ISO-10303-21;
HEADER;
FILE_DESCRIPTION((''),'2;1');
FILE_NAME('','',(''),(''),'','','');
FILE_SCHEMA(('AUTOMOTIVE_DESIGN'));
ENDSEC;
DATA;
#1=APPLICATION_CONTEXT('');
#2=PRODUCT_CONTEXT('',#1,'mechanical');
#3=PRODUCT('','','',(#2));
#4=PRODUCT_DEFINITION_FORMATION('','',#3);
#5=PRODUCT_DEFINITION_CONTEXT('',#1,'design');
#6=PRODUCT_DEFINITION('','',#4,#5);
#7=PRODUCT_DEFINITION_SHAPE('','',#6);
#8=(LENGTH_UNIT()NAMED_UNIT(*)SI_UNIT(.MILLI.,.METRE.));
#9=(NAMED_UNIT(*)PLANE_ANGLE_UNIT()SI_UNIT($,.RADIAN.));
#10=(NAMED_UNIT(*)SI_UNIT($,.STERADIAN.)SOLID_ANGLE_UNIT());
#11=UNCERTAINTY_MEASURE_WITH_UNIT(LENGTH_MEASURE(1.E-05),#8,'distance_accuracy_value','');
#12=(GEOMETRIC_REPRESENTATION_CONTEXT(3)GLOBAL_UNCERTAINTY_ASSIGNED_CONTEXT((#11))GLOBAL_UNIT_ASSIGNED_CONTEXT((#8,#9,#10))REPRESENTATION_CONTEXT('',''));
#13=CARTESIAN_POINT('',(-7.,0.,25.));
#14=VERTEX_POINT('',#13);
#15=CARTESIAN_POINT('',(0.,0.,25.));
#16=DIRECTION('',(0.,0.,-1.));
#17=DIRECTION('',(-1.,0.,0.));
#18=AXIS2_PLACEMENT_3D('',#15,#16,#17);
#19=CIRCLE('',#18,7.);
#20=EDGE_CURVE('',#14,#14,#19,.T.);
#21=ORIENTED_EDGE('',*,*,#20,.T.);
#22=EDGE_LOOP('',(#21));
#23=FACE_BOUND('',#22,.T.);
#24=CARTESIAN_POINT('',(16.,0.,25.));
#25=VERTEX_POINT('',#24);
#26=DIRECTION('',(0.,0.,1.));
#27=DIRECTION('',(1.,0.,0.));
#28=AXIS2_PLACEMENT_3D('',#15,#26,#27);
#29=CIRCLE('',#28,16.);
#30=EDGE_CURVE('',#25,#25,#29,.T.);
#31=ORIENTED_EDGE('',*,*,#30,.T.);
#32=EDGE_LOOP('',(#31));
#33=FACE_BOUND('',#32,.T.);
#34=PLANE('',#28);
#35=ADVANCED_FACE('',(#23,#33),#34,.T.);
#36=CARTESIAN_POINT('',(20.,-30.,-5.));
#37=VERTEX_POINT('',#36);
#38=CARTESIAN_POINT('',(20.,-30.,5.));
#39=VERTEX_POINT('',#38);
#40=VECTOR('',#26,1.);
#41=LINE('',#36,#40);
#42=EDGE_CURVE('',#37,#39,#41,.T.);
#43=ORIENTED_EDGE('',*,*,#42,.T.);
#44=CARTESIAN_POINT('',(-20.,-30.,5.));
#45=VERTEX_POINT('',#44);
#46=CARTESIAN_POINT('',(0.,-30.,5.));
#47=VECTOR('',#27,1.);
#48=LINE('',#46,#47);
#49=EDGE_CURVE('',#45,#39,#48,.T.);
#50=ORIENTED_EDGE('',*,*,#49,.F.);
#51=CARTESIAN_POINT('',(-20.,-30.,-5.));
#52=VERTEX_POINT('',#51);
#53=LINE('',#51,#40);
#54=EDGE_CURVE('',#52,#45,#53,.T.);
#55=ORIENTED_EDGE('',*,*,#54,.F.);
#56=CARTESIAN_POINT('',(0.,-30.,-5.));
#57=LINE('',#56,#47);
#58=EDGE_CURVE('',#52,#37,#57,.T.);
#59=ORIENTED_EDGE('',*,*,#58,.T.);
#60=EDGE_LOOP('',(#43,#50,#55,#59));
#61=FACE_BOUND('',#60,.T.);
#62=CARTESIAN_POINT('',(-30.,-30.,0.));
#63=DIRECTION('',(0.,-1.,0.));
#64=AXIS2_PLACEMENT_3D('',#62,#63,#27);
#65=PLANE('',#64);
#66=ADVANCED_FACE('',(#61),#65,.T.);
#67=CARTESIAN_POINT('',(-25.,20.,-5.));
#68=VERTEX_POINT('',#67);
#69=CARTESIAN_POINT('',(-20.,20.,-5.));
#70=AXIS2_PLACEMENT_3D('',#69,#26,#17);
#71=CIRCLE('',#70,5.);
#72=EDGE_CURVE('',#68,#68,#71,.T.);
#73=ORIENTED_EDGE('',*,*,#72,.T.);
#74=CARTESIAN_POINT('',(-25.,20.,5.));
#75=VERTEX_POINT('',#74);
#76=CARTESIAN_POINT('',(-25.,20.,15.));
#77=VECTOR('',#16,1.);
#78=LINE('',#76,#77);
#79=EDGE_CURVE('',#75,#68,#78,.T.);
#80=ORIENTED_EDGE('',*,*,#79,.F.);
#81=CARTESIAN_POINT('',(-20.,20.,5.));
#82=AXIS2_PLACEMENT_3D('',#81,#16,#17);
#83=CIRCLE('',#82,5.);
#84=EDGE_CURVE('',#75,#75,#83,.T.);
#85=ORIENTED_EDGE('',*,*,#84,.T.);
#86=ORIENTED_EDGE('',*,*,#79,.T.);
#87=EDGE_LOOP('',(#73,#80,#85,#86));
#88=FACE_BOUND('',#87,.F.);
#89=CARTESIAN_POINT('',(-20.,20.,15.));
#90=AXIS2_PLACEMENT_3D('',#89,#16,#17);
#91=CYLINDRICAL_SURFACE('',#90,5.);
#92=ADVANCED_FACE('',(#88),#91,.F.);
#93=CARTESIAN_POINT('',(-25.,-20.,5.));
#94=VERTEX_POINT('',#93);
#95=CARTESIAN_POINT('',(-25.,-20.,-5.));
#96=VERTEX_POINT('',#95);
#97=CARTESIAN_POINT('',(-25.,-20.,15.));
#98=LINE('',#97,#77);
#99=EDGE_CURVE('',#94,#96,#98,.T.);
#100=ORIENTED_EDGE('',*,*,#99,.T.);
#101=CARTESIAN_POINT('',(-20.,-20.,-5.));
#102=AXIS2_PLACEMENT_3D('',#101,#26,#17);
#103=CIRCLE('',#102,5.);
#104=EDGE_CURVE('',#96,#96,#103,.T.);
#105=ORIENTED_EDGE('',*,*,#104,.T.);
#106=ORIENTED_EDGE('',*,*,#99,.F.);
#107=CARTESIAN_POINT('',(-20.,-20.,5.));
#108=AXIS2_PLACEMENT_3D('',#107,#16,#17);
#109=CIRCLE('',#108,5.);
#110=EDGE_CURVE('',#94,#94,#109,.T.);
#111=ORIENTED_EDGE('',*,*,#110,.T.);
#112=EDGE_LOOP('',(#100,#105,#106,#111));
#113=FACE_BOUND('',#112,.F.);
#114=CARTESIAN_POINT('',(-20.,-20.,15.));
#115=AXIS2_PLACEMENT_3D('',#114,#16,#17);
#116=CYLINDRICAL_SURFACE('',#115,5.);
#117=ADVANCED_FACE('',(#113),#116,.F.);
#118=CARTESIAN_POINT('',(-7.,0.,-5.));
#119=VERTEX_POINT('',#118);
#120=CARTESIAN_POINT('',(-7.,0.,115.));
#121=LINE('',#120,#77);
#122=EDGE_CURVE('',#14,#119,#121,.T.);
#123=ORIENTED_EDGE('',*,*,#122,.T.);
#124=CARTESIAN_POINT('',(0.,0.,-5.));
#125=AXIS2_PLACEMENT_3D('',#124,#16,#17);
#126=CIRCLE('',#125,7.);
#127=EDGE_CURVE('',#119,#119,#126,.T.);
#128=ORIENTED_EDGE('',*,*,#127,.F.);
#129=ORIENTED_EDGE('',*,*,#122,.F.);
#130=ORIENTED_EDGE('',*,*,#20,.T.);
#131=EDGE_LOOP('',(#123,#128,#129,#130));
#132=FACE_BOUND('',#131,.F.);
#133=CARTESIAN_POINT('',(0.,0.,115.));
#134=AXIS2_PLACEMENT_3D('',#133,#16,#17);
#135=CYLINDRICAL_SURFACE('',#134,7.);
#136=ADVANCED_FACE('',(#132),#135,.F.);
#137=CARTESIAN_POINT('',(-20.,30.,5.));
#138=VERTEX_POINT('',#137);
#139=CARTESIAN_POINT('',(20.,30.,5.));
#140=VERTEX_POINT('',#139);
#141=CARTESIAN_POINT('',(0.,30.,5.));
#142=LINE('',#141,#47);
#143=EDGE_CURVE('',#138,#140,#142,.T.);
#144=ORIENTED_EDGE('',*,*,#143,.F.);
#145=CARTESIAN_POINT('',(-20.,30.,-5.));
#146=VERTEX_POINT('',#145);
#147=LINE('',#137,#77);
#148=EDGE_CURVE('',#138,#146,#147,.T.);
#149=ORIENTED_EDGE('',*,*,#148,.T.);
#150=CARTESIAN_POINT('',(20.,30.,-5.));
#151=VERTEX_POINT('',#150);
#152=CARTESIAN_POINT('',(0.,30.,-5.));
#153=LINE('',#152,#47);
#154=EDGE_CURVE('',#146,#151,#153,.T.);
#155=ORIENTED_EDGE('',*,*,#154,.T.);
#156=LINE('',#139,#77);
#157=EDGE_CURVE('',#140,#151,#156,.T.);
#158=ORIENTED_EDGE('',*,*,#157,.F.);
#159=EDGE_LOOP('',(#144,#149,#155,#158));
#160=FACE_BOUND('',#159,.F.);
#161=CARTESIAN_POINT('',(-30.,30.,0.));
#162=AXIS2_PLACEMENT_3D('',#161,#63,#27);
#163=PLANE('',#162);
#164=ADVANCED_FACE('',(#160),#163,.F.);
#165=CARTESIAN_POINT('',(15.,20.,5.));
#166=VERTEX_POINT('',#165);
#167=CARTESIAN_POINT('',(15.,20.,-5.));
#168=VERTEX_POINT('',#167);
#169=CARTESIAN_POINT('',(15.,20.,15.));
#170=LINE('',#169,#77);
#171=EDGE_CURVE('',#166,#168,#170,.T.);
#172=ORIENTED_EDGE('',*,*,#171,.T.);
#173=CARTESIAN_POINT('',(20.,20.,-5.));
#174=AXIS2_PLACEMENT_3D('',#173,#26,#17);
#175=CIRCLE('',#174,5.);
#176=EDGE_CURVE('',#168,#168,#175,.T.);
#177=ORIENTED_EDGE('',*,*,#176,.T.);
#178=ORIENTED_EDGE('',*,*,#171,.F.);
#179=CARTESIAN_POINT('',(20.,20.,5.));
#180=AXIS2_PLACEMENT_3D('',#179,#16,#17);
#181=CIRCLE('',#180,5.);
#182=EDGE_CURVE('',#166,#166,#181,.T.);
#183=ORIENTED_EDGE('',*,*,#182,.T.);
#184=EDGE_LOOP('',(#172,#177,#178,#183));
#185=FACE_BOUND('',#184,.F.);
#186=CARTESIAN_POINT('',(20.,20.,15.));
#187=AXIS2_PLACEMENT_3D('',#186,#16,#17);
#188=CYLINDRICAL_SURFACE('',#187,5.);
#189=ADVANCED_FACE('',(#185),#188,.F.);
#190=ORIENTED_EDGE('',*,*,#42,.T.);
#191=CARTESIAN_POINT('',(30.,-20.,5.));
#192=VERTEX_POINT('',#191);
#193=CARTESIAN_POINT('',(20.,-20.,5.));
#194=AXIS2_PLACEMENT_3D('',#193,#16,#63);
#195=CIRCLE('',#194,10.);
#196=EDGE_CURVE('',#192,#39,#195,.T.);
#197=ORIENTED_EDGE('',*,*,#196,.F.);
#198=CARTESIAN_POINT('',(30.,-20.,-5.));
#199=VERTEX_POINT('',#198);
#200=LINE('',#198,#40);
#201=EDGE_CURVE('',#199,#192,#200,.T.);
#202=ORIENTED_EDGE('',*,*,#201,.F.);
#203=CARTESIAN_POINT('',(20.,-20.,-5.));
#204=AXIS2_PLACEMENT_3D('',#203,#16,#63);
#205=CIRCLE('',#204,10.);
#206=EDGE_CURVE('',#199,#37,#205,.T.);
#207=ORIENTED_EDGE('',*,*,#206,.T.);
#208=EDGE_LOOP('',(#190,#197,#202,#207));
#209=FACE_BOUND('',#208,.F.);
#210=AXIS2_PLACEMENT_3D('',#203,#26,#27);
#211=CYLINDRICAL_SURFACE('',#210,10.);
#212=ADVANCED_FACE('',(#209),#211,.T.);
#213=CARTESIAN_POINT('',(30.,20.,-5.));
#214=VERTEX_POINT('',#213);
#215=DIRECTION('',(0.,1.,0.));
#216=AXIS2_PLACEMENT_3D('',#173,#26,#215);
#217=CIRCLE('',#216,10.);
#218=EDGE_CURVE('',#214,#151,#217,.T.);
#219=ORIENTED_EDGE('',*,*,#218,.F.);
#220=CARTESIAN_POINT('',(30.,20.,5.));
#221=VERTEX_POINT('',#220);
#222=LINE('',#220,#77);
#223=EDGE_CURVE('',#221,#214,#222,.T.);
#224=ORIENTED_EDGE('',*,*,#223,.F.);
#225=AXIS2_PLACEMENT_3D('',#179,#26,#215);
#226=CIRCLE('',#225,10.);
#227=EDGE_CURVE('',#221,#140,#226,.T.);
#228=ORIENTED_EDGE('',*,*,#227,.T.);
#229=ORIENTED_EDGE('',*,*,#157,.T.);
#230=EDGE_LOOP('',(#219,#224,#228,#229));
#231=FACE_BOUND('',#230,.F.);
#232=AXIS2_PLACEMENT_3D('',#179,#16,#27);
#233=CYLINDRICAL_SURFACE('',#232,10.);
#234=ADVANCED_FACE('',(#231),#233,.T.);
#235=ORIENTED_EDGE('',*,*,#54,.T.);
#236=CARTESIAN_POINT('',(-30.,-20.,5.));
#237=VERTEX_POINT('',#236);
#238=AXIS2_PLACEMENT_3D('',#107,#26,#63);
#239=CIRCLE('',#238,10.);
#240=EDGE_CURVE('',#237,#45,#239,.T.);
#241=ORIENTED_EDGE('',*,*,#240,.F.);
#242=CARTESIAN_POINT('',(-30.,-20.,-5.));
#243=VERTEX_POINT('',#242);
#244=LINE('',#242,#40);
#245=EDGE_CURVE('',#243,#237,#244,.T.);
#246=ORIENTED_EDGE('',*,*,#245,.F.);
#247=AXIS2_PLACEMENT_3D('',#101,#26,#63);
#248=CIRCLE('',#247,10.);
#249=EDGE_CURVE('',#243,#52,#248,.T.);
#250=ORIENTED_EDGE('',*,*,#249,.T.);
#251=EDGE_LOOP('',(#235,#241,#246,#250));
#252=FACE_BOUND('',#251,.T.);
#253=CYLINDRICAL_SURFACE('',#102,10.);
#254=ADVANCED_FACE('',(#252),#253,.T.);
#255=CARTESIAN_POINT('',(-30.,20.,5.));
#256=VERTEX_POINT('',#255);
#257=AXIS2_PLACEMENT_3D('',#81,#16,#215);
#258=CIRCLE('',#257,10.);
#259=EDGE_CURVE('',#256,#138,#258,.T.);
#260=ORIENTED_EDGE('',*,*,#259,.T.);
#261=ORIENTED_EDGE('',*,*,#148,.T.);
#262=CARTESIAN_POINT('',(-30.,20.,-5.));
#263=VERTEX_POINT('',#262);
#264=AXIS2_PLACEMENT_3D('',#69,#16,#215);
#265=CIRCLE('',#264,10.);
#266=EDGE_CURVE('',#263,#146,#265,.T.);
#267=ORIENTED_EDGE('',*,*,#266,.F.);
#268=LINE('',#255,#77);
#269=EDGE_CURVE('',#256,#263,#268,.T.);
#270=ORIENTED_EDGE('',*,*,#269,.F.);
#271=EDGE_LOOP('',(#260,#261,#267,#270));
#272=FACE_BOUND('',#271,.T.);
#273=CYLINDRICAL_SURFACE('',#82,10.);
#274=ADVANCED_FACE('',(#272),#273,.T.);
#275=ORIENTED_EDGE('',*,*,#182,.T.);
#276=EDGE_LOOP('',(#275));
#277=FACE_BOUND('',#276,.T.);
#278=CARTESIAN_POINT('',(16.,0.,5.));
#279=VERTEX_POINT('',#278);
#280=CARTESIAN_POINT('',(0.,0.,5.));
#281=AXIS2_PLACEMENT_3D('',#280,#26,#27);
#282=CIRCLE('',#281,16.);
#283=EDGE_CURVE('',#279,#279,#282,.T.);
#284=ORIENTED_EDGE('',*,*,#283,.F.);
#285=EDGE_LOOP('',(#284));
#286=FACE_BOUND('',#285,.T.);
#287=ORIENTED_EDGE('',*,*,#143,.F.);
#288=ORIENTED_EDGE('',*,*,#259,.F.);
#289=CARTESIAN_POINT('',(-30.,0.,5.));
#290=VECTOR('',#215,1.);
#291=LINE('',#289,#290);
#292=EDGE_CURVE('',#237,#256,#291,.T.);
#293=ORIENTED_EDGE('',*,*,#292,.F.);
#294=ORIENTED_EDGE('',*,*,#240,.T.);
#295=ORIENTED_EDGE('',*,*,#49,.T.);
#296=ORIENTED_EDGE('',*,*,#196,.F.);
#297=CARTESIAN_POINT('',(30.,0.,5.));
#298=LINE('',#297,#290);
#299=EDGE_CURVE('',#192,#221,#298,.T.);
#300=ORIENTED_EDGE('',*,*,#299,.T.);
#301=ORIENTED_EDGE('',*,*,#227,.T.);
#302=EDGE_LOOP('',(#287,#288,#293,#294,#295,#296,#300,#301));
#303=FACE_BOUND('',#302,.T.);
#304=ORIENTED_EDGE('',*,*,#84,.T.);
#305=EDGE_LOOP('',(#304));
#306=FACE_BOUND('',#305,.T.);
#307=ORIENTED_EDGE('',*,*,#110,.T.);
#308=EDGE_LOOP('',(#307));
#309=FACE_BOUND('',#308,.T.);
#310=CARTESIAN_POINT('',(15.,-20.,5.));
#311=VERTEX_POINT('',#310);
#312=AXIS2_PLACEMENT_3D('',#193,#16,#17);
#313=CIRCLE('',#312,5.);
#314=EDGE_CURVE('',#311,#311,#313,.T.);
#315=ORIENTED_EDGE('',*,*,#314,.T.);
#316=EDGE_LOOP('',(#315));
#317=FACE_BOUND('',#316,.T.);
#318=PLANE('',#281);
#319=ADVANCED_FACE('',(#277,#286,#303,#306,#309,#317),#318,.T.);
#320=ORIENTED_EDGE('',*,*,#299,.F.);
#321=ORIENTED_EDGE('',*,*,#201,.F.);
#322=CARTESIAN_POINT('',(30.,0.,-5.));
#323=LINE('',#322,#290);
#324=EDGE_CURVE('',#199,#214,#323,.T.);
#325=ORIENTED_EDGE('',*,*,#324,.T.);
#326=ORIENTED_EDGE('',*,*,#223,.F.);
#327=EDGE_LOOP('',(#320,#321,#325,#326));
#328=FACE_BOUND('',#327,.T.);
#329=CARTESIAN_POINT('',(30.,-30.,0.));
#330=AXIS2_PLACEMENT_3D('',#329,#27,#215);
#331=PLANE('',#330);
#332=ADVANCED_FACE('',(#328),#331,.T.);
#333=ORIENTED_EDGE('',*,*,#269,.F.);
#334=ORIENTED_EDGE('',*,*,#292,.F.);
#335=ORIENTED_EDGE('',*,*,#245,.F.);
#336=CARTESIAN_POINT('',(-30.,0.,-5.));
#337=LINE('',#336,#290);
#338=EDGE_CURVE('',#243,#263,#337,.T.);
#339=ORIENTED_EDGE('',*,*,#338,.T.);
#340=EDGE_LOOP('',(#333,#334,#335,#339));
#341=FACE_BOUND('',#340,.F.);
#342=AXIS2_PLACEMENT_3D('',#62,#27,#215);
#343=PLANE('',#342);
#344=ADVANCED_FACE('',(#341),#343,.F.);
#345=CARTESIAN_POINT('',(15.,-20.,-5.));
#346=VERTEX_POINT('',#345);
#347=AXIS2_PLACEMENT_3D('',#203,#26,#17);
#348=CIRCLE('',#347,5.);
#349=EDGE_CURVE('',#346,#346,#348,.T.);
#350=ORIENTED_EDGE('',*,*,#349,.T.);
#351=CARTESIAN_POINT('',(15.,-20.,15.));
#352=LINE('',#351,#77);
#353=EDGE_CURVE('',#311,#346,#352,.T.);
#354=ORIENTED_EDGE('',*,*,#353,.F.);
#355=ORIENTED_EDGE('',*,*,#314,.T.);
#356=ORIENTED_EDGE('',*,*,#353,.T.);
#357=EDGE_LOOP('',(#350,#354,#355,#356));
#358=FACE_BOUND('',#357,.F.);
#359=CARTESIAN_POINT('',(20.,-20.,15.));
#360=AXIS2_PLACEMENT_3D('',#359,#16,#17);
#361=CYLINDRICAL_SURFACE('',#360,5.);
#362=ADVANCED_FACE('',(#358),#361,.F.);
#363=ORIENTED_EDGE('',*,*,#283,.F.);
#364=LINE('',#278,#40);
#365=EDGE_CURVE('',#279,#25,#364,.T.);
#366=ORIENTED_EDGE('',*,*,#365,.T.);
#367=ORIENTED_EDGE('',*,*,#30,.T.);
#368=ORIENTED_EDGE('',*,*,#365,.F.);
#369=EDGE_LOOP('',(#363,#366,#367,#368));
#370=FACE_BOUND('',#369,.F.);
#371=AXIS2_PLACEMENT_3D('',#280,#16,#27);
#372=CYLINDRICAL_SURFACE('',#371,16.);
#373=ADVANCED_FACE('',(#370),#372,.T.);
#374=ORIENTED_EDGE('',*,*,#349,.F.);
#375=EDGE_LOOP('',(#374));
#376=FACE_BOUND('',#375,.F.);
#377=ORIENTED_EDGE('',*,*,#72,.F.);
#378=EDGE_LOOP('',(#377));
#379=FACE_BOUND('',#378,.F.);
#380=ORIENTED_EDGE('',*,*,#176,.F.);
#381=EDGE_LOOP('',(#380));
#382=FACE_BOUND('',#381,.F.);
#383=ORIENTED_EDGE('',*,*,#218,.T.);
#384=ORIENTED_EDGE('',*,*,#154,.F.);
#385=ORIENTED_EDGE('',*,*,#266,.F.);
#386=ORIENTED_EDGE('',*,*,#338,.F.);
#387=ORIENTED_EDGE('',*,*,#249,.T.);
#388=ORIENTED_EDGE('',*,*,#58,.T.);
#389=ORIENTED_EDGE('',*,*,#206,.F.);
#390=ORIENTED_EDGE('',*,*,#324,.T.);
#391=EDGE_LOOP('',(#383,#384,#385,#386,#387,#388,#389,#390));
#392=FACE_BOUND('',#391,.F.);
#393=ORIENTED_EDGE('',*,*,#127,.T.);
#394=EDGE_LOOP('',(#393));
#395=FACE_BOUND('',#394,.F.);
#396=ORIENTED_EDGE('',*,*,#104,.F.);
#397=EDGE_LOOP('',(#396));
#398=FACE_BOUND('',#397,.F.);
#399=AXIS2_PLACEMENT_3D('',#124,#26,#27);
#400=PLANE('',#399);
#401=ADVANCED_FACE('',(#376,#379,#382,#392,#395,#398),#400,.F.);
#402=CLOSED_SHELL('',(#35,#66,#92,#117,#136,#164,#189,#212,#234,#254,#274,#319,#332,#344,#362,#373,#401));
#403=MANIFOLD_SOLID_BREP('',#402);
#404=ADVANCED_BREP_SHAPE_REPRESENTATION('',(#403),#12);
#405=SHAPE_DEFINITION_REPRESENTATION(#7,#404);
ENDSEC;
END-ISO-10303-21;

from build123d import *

# Parameters (mm, degrees)
F0_W     = 60
F0_H     = 60
F1_DEPTH = 5
F2_R     = 10
F4_D     = 10
F4_DEPTH = 10
F4_TIP   = 3.0043030951
F3_R     = 16
F5_DEPTH = 20
F7_D     = 14


with BuildPart() as f1:
    # F0 (on Top) → F1 (new body, symmetric)
    with BuildSketch(Plane.XY):
        Rectangle(F0_W, F0_H)
    extrude(amount=F1_DEPTH, both=True)

    # F2
    f2_edges = [f1.edges().sort_by_distance(p)[0] for p in [
        (-30, 30, 0),
        (30, 30, 0),
        (30, -30, 0),
        (-30, -30, 0),
    ]]
    fillet(f2_edges, radius=F2_R)

    # F4
    with Locations(Plane.XY.offset(5)):
        with Locations((-20, 20), (20, 20), (20, -20), (-20, -20)):
            Hole(F4_D / 2, depth=F4_DEPTH)
            with Locations((0, 0, -(F4_DEPTH + F4_TIP / 2))):  # 118° drill point
                Cone(0, F4_D / 2, F4_TIP, mode=Mode.SUBTRACT)

    # F3 (on face) → F5 (join)
    with BuildSketch(Plane.XY.offset(5)):
        Circle(F3_R)
    extrude(amount=F5_DEPTH)

    # F7 (through all)
    with Locations(Plane.XY.offset(25)):
        with Locations((0, 0)):
            Hole(F7_D / 2)


solid = f1.part
